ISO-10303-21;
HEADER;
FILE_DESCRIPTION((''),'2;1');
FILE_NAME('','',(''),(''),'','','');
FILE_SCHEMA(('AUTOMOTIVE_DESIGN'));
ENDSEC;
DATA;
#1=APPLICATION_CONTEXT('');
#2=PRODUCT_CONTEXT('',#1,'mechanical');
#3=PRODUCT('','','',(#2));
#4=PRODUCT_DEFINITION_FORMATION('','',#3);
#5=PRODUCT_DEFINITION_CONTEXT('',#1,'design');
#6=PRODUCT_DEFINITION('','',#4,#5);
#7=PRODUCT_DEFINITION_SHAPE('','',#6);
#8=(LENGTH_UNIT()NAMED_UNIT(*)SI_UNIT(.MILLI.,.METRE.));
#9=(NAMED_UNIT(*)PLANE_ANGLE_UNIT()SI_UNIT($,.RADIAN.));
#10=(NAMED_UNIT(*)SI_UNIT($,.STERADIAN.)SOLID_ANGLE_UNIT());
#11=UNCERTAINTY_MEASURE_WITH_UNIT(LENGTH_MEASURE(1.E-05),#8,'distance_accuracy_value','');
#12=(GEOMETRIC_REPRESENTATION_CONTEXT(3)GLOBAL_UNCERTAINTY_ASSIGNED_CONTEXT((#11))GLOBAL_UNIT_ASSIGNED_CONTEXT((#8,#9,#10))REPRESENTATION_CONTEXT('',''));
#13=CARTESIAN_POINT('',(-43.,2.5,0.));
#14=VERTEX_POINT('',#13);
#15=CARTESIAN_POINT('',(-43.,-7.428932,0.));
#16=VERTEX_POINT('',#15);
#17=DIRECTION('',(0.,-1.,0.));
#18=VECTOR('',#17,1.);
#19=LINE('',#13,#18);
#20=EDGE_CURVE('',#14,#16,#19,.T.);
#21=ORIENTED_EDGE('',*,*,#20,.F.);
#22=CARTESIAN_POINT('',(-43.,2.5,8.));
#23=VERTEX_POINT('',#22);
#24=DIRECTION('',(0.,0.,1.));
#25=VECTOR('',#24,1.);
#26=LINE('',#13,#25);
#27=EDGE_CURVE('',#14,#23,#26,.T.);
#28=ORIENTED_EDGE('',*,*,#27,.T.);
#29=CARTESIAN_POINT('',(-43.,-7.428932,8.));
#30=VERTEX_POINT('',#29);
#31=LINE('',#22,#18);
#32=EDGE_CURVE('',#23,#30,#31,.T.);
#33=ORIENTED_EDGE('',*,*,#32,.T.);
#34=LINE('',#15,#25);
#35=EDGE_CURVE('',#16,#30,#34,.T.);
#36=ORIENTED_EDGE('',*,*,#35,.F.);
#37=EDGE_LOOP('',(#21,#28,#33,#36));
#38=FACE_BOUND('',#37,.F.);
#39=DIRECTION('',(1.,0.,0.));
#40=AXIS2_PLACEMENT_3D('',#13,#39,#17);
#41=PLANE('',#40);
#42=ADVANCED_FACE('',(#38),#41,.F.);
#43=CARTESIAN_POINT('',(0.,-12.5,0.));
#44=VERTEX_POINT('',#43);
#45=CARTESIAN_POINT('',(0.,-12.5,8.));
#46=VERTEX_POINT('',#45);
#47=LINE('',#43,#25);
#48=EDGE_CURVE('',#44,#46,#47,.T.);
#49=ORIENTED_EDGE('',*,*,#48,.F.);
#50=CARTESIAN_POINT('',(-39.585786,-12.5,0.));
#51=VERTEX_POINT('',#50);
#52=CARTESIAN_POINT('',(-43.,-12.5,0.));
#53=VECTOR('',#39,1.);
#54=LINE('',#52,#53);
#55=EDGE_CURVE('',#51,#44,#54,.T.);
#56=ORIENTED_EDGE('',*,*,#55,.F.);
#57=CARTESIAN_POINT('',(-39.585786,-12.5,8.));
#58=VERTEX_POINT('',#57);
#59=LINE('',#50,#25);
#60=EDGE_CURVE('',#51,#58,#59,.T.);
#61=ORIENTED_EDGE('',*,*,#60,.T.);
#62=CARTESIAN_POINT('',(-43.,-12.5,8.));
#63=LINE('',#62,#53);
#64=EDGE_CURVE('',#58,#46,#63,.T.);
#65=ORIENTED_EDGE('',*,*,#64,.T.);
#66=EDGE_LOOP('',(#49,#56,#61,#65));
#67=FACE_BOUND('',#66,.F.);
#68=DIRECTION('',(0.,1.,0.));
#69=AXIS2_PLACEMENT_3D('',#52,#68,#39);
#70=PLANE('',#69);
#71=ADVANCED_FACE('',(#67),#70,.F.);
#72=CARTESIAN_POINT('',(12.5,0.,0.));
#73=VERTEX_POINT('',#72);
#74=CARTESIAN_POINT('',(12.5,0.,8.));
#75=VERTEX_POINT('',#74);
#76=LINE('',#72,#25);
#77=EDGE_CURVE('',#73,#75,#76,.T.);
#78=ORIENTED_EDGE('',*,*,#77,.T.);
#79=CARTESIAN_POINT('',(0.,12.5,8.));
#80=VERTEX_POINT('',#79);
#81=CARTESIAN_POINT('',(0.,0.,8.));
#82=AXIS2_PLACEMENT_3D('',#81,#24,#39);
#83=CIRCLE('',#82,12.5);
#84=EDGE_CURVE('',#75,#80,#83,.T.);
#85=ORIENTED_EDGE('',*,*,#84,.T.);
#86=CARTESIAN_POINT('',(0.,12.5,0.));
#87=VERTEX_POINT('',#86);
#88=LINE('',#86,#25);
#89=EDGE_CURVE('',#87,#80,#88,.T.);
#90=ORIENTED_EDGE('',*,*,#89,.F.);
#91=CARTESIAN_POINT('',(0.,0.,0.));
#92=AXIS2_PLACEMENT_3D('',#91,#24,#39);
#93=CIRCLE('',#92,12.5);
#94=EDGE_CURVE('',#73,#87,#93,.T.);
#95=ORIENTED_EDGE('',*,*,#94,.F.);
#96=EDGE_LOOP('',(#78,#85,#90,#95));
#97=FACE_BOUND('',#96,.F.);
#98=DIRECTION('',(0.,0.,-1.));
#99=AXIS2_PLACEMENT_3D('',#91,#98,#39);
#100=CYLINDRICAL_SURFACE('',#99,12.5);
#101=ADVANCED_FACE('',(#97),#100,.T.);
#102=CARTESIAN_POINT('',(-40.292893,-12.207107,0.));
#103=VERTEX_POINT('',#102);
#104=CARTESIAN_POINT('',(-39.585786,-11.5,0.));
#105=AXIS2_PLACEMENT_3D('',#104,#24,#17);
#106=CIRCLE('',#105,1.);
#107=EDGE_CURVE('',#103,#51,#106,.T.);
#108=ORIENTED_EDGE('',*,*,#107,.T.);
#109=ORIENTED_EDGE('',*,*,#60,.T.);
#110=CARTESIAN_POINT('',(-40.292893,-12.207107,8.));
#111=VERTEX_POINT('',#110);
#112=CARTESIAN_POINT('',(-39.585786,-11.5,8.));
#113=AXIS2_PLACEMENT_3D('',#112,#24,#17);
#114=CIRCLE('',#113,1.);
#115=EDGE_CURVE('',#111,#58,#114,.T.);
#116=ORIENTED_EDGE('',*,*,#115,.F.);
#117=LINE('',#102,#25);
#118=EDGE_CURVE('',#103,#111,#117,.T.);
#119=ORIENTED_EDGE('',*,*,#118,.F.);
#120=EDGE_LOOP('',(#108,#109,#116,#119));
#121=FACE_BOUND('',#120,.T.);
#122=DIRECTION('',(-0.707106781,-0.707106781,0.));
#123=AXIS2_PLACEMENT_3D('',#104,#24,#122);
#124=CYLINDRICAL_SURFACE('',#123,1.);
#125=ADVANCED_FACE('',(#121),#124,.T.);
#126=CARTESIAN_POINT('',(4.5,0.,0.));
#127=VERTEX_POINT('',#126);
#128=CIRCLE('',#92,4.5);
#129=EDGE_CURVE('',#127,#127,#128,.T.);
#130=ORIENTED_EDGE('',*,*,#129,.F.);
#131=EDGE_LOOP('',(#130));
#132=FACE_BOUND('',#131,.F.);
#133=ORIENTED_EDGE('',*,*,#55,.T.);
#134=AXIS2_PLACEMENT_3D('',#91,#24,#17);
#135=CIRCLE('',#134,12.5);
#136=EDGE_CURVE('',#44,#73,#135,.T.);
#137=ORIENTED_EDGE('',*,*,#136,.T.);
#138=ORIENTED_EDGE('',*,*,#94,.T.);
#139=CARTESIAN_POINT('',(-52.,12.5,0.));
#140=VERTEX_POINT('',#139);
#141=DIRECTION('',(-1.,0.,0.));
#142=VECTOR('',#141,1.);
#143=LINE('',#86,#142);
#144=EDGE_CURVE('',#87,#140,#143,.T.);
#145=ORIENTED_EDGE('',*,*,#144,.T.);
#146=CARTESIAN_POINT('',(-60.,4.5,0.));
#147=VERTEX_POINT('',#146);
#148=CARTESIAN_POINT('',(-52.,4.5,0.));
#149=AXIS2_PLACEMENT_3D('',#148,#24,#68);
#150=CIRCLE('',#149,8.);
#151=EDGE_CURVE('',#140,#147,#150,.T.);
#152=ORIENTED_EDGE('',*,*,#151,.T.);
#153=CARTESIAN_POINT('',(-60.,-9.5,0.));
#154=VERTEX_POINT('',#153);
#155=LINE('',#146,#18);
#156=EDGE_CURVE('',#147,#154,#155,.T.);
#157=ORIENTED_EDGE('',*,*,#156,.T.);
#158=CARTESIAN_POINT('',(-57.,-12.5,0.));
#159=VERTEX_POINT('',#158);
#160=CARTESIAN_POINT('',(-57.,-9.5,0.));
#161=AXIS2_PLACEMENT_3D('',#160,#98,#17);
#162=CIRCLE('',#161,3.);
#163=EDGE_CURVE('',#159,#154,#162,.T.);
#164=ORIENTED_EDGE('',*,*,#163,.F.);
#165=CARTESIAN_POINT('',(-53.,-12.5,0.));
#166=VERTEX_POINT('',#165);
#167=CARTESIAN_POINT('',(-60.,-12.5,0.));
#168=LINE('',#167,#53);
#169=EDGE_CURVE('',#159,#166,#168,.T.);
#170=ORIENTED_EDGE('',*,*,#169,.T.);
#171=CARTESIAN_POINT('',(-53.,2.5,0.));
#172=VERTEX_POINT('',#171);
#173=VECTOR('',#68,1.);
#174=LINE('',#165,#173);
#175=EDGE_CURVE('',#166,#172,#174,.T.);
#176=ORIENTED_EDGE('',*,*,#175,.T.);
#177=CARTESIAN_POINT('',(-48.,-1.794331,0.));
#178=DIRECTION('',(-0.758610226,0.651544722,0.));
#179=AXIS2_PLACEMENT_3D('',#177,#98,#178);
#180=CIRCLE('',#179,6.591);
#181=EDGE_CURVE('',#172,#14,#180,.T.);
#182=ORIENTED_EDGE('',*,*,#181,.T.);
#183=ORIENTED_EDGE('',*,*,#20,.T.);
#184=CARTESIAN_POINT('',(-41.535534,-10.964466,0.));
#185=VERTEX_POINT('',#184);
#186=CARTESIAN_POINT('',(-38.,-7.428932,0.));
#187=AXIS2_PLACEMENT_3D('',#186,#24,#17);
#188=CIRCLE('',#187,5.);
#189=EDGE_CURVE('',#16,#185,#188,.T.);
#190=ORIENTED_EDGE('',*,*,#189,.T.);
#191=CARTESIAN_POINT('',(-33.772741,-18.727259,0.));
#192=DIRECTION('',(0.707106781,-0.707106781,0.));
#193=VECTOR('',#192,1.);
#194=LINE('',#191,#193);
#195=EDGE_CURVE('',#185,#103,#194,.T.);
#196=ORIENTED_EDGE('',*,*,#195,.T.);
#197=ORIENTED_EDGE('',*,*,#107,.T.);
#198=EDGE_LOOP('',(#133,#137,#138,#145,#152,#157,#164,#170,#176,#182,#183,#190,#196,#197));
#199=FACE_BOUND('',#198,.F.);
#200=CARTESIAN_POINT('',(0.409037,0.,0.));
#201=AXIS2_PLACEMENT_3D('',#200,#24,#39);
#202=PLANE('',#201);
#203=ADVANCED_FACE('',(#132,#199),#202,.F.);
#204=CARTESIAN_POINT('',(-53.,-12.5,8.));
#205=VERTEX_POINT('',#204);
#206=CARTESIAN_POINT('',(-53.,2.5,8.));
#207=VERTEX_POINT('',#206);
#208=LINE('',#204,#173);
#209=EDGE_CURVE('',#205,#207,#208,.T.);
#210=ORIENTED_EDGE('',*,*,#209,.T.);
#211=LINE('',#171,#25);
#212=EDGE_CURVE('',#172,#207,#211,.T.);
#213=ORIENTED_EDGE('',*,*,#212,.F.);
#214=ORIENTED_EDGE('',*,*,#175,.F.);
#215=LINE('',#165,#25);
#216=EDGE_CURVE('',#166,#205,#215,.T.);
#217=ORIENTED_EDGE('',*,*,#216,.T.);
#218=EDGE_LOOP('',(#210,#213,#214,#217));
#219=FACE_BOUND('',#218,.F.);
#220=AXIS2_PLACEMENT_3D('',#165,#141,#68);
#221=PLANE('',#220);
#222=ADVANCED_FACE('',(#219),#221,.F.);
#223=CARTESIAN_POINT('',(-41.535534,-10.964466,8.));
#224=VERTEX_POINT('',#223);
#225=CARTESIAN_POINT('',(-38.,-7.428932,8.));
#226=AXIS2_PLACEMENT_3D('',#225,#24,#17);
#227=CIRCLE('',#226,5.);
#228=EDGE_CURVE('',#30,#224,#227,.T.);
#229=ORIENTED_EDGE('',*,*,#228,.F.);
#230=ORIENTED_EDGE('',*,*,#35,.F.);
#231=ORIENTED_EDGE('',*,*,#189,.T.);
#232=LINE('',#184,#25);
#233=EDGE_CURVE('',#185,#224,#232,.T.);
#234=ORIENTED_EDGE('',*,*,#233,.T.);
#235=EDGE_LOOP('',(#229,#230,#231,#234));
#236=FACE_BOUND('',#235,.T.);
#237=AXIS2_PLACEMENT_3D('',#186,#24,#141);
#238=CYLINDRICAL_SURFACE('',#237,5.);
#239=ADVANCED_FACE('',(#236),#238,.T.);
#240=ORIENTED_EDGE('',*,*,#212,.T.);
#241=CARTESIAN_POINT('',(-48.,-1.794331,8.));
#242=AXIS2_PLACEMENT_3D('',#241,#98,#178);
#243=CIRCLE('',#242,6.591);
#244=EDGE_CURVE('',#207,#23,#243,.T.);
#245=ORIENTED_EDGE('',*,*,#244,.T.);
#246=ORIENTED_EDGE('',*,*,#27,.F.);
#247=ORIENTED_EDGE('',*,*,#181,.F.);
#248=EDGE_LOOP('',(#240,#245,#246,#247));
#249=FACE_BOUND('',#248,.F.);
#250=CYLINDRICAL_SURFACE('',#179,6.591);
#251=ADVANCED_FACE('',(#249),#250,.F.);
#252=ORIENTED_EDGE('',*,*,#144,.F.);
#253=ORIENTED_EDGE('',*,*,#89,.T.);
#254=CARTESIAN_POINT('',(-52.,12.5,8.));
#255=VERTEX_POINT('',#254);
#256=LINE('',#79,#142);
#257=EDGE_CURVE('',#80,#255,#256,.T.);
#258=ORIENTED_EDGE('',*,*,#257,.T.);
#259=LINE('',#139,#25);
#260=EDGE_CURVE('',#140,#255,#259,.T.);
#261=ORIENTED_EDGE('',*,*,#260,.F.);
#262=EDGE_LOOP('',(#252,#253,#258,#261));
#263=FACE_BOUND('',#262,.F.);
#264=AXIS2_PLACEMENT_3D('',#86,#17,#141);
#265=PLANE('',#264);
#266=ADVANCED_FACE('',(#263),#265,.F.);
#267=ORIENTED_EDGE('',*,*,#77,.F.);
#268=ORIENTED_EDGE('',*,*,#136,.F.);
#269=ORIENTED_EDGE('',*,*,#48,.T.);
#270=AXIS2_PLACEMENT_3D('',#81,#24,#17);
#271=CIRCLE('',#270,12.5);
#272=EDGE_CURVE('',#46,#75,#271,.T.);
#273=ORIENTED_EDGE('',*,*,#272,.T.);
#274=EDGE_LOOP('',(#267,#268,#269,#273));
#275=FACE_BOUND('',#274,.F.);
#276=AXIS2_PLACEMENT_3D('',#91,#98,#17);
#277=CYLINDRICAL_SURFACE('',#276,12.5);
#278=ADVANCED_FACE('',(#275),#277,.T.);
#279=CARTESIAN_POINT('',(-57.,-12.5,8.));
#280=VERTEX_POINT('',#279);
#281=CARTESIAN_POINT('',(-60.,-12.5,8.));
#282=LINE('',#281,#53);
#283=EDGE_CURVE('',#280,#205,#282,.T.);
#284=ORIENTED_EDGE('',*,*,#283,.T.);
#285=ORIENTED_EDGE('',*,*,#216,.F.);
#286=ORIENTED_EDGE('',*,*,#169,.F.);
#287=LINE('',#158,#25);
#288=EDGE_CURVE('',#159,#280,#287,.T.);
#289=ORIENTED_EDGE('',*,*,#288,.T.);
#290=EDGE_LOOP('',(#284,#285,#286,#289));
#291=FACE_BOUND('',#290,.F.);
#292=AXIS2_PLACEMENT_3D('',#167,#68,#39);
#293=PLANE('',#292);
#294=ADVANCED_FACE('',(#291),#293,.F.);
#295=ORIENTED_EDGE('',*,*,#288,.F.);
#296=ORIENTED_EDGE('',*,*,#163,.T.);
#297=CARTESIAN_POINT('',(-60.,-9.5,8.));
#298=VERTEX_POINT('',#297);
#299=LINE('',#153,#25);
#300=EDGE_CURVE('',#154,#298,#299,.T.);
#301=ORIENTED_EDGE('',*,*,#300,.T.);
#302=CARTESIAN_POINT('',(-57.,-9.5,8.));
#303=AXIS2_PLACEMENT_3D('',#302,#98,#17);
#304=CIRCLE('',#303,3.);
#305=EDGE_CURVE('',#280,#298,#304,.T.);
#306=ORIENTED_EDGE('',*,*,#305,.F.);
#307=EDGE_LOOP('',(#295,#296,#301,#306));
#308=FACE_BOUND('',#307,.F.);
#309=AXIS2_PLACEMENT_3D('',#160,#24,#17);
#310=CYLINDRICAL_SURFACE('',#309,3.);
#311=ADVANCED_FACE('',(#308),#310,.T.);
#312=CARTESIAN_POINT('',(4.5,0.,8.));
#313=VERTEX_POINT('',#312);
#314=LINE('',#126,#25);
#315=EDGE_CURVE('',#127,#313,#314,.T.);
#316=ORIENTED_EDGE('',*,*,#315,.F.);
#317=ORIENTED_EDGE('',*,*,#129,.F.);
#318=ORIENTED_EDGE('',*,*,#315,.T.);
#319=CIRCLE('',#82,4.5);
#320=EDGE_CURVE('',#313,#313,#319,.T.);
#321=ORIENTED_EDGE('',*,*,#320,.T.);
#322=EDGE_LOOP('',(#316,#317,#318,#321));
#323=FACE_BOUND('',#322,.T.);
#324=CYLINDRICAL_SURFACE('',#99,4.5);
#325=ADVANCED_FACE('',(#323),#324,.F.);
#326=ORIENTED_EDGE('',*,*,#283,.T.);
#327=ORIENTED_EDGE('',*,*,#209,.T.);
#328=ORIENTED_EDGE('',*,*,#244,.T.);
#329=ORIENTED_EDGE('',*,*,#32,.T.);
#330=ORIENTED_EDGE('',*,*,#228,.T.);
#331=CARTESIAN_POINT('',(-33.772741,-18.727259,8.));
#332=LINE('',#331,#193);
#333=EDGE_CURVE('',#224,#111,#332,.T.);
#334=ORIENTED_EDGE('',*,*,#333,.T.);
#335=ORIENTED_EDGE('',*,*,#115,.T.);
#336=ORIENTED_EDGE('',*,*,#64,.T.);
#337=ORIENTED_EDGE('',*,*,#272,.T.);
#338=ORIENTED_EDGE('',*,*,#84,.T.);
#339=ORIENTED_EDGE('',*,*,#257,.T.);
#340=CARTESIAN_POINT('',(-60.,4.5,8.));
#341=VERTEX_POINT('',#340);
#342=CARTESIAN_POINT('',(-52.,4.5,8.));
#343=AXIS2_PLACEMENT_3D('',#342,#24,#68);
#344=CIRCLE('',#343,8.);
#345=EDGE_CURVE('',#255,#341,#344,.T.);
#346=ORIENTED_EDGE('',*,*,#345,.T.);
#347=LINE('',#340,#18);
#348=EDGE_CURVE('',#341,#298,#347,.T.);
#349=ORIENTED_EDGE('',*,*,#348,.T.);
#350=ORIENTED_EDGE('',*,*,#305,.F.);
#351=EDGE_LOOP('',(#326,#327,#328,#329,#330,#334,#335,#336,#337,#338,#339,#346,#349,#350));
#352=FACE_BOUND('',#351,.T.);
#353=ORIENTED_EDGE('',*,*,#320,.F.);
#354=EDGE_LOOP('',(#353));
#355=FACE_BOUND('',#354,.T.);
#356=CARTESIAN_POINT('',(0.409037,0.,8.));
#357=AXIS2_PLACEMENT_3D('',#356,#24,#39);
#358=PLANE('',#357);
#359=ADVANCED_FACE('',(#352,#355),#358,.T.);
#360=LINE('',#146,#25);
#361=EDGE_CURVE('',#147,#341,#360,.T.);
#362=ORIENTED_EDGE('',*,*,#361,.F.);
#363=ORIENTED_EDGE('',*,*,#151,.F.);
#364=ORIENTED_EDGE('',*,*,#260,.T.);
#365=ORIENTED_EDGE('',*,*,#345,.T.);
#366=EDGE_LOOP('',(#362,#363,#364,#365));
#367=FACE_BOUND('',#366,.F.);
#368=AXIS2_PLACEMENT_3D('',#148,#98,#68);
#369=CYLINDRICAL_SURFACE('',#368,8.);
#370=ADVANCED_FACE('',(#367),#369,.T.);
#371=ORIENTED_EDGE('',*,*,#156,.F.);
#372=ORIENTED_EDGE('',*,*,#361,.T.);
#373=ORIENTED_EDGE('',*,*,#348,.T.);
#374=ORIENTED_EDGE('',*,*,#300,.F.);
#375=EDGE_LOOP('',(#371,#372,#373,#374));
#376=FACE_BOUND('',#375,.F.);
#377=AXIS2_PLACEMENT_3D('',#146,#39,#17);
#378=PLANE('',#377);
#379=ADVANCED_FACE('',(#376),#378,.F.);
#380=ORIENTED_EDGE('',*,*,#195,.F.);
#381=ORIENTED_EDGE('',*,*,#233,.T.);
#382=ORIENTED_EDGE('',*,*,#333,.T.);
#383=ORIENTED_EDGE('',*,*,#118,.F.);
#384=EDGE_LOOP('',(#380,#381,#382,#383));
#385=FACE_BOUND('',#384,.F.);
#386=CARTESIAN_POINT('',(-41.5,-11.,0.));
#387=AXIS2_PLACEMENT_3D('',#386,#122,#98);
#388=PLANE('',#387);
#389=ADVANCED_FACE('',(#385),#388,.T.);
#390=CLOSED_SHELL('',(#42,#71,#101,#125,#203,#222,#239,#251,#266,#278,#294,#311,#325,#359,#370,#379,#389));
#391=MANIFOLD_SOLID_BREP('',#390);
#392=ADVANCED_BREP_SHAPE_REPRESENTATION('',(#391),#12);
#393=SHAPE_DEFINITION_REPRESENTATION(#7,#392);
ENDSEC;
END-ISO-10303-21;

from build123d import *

# Parameters (mm, degrees)
F0_R     = 4.5
F1_DEPTH = 8
F2_SIZE  = 3
F3_R     = 5
F4_R     = 1
F5_R     = 3


with BuildPart() as f1:
    # F0 (on Top) → F1 (new body)
    with BuildSketch(Plane.XY):
        with BuildLine():
            ThreePointArc((0, -12.5), (8.8388347648, -8.8388347648), (12.5, 0))
            ThreePointArc((12.5, 0), (8.8388347648, 8.8388347648), (0, 12.5))
            ThreePointArc((0, 12.5), (-12.5, 0), (0, -12.5))
        make_face()
        Circle(F0_R, mode=Mode.SUBTRACT)
        with BuildLine():
            ThreePointArc((0, -12.5), (-12.5, 0), (0, 12.5))
            Line((0, 12.5), (-52, 12.5))
            ThreePointArc((-52, 12.5), (-57.6568542495, 10.1568542495), (-60, 4.5))
            Line((-60, 4.5), (-60, -12.5))
            Line((-60, -12.5), (-53, -12.5))
            Line((-53, -12.5), (-53, 2.5))
            ThreePointArc((-53, 2.5), (-48, 4.7966687366), (-43, 2.5))
            Line((-43, 2.5), (-43, -12.5))
            Line((-43, -12.5), (0, -12.5))
        make_face()
    extrude(amount=F1_DEPTH)

    # F2
    f2_edges = [f1.edges().sort_by_distance(p)[0] for p in [
        (-43, -12.5, 4),
    ]]
    chamfer(f2_edges, length=F2_SIZE)

    # F3
    f3_edges = [f1.edges().sort_by_distance(p)[0] for p in [
        (-43, -9.5, 4),
    ]]
    fillet(f3_edges, radius=F3_R)

    # F4
    f4_edges = [f1.edges().sort_by_distance(p)[0] for p in [
        (-40, -12.5, 4),
    ]]
    fillet(f4_edges, radius=F4_R)

    # F5
    f5_edges = [f1.edges().sort_by_distance(p)[0] for p in [
        (-60, -12.5, 4),
    ]]
    fillet(f5_edges, radius=F5_R)


solid = f1.part
